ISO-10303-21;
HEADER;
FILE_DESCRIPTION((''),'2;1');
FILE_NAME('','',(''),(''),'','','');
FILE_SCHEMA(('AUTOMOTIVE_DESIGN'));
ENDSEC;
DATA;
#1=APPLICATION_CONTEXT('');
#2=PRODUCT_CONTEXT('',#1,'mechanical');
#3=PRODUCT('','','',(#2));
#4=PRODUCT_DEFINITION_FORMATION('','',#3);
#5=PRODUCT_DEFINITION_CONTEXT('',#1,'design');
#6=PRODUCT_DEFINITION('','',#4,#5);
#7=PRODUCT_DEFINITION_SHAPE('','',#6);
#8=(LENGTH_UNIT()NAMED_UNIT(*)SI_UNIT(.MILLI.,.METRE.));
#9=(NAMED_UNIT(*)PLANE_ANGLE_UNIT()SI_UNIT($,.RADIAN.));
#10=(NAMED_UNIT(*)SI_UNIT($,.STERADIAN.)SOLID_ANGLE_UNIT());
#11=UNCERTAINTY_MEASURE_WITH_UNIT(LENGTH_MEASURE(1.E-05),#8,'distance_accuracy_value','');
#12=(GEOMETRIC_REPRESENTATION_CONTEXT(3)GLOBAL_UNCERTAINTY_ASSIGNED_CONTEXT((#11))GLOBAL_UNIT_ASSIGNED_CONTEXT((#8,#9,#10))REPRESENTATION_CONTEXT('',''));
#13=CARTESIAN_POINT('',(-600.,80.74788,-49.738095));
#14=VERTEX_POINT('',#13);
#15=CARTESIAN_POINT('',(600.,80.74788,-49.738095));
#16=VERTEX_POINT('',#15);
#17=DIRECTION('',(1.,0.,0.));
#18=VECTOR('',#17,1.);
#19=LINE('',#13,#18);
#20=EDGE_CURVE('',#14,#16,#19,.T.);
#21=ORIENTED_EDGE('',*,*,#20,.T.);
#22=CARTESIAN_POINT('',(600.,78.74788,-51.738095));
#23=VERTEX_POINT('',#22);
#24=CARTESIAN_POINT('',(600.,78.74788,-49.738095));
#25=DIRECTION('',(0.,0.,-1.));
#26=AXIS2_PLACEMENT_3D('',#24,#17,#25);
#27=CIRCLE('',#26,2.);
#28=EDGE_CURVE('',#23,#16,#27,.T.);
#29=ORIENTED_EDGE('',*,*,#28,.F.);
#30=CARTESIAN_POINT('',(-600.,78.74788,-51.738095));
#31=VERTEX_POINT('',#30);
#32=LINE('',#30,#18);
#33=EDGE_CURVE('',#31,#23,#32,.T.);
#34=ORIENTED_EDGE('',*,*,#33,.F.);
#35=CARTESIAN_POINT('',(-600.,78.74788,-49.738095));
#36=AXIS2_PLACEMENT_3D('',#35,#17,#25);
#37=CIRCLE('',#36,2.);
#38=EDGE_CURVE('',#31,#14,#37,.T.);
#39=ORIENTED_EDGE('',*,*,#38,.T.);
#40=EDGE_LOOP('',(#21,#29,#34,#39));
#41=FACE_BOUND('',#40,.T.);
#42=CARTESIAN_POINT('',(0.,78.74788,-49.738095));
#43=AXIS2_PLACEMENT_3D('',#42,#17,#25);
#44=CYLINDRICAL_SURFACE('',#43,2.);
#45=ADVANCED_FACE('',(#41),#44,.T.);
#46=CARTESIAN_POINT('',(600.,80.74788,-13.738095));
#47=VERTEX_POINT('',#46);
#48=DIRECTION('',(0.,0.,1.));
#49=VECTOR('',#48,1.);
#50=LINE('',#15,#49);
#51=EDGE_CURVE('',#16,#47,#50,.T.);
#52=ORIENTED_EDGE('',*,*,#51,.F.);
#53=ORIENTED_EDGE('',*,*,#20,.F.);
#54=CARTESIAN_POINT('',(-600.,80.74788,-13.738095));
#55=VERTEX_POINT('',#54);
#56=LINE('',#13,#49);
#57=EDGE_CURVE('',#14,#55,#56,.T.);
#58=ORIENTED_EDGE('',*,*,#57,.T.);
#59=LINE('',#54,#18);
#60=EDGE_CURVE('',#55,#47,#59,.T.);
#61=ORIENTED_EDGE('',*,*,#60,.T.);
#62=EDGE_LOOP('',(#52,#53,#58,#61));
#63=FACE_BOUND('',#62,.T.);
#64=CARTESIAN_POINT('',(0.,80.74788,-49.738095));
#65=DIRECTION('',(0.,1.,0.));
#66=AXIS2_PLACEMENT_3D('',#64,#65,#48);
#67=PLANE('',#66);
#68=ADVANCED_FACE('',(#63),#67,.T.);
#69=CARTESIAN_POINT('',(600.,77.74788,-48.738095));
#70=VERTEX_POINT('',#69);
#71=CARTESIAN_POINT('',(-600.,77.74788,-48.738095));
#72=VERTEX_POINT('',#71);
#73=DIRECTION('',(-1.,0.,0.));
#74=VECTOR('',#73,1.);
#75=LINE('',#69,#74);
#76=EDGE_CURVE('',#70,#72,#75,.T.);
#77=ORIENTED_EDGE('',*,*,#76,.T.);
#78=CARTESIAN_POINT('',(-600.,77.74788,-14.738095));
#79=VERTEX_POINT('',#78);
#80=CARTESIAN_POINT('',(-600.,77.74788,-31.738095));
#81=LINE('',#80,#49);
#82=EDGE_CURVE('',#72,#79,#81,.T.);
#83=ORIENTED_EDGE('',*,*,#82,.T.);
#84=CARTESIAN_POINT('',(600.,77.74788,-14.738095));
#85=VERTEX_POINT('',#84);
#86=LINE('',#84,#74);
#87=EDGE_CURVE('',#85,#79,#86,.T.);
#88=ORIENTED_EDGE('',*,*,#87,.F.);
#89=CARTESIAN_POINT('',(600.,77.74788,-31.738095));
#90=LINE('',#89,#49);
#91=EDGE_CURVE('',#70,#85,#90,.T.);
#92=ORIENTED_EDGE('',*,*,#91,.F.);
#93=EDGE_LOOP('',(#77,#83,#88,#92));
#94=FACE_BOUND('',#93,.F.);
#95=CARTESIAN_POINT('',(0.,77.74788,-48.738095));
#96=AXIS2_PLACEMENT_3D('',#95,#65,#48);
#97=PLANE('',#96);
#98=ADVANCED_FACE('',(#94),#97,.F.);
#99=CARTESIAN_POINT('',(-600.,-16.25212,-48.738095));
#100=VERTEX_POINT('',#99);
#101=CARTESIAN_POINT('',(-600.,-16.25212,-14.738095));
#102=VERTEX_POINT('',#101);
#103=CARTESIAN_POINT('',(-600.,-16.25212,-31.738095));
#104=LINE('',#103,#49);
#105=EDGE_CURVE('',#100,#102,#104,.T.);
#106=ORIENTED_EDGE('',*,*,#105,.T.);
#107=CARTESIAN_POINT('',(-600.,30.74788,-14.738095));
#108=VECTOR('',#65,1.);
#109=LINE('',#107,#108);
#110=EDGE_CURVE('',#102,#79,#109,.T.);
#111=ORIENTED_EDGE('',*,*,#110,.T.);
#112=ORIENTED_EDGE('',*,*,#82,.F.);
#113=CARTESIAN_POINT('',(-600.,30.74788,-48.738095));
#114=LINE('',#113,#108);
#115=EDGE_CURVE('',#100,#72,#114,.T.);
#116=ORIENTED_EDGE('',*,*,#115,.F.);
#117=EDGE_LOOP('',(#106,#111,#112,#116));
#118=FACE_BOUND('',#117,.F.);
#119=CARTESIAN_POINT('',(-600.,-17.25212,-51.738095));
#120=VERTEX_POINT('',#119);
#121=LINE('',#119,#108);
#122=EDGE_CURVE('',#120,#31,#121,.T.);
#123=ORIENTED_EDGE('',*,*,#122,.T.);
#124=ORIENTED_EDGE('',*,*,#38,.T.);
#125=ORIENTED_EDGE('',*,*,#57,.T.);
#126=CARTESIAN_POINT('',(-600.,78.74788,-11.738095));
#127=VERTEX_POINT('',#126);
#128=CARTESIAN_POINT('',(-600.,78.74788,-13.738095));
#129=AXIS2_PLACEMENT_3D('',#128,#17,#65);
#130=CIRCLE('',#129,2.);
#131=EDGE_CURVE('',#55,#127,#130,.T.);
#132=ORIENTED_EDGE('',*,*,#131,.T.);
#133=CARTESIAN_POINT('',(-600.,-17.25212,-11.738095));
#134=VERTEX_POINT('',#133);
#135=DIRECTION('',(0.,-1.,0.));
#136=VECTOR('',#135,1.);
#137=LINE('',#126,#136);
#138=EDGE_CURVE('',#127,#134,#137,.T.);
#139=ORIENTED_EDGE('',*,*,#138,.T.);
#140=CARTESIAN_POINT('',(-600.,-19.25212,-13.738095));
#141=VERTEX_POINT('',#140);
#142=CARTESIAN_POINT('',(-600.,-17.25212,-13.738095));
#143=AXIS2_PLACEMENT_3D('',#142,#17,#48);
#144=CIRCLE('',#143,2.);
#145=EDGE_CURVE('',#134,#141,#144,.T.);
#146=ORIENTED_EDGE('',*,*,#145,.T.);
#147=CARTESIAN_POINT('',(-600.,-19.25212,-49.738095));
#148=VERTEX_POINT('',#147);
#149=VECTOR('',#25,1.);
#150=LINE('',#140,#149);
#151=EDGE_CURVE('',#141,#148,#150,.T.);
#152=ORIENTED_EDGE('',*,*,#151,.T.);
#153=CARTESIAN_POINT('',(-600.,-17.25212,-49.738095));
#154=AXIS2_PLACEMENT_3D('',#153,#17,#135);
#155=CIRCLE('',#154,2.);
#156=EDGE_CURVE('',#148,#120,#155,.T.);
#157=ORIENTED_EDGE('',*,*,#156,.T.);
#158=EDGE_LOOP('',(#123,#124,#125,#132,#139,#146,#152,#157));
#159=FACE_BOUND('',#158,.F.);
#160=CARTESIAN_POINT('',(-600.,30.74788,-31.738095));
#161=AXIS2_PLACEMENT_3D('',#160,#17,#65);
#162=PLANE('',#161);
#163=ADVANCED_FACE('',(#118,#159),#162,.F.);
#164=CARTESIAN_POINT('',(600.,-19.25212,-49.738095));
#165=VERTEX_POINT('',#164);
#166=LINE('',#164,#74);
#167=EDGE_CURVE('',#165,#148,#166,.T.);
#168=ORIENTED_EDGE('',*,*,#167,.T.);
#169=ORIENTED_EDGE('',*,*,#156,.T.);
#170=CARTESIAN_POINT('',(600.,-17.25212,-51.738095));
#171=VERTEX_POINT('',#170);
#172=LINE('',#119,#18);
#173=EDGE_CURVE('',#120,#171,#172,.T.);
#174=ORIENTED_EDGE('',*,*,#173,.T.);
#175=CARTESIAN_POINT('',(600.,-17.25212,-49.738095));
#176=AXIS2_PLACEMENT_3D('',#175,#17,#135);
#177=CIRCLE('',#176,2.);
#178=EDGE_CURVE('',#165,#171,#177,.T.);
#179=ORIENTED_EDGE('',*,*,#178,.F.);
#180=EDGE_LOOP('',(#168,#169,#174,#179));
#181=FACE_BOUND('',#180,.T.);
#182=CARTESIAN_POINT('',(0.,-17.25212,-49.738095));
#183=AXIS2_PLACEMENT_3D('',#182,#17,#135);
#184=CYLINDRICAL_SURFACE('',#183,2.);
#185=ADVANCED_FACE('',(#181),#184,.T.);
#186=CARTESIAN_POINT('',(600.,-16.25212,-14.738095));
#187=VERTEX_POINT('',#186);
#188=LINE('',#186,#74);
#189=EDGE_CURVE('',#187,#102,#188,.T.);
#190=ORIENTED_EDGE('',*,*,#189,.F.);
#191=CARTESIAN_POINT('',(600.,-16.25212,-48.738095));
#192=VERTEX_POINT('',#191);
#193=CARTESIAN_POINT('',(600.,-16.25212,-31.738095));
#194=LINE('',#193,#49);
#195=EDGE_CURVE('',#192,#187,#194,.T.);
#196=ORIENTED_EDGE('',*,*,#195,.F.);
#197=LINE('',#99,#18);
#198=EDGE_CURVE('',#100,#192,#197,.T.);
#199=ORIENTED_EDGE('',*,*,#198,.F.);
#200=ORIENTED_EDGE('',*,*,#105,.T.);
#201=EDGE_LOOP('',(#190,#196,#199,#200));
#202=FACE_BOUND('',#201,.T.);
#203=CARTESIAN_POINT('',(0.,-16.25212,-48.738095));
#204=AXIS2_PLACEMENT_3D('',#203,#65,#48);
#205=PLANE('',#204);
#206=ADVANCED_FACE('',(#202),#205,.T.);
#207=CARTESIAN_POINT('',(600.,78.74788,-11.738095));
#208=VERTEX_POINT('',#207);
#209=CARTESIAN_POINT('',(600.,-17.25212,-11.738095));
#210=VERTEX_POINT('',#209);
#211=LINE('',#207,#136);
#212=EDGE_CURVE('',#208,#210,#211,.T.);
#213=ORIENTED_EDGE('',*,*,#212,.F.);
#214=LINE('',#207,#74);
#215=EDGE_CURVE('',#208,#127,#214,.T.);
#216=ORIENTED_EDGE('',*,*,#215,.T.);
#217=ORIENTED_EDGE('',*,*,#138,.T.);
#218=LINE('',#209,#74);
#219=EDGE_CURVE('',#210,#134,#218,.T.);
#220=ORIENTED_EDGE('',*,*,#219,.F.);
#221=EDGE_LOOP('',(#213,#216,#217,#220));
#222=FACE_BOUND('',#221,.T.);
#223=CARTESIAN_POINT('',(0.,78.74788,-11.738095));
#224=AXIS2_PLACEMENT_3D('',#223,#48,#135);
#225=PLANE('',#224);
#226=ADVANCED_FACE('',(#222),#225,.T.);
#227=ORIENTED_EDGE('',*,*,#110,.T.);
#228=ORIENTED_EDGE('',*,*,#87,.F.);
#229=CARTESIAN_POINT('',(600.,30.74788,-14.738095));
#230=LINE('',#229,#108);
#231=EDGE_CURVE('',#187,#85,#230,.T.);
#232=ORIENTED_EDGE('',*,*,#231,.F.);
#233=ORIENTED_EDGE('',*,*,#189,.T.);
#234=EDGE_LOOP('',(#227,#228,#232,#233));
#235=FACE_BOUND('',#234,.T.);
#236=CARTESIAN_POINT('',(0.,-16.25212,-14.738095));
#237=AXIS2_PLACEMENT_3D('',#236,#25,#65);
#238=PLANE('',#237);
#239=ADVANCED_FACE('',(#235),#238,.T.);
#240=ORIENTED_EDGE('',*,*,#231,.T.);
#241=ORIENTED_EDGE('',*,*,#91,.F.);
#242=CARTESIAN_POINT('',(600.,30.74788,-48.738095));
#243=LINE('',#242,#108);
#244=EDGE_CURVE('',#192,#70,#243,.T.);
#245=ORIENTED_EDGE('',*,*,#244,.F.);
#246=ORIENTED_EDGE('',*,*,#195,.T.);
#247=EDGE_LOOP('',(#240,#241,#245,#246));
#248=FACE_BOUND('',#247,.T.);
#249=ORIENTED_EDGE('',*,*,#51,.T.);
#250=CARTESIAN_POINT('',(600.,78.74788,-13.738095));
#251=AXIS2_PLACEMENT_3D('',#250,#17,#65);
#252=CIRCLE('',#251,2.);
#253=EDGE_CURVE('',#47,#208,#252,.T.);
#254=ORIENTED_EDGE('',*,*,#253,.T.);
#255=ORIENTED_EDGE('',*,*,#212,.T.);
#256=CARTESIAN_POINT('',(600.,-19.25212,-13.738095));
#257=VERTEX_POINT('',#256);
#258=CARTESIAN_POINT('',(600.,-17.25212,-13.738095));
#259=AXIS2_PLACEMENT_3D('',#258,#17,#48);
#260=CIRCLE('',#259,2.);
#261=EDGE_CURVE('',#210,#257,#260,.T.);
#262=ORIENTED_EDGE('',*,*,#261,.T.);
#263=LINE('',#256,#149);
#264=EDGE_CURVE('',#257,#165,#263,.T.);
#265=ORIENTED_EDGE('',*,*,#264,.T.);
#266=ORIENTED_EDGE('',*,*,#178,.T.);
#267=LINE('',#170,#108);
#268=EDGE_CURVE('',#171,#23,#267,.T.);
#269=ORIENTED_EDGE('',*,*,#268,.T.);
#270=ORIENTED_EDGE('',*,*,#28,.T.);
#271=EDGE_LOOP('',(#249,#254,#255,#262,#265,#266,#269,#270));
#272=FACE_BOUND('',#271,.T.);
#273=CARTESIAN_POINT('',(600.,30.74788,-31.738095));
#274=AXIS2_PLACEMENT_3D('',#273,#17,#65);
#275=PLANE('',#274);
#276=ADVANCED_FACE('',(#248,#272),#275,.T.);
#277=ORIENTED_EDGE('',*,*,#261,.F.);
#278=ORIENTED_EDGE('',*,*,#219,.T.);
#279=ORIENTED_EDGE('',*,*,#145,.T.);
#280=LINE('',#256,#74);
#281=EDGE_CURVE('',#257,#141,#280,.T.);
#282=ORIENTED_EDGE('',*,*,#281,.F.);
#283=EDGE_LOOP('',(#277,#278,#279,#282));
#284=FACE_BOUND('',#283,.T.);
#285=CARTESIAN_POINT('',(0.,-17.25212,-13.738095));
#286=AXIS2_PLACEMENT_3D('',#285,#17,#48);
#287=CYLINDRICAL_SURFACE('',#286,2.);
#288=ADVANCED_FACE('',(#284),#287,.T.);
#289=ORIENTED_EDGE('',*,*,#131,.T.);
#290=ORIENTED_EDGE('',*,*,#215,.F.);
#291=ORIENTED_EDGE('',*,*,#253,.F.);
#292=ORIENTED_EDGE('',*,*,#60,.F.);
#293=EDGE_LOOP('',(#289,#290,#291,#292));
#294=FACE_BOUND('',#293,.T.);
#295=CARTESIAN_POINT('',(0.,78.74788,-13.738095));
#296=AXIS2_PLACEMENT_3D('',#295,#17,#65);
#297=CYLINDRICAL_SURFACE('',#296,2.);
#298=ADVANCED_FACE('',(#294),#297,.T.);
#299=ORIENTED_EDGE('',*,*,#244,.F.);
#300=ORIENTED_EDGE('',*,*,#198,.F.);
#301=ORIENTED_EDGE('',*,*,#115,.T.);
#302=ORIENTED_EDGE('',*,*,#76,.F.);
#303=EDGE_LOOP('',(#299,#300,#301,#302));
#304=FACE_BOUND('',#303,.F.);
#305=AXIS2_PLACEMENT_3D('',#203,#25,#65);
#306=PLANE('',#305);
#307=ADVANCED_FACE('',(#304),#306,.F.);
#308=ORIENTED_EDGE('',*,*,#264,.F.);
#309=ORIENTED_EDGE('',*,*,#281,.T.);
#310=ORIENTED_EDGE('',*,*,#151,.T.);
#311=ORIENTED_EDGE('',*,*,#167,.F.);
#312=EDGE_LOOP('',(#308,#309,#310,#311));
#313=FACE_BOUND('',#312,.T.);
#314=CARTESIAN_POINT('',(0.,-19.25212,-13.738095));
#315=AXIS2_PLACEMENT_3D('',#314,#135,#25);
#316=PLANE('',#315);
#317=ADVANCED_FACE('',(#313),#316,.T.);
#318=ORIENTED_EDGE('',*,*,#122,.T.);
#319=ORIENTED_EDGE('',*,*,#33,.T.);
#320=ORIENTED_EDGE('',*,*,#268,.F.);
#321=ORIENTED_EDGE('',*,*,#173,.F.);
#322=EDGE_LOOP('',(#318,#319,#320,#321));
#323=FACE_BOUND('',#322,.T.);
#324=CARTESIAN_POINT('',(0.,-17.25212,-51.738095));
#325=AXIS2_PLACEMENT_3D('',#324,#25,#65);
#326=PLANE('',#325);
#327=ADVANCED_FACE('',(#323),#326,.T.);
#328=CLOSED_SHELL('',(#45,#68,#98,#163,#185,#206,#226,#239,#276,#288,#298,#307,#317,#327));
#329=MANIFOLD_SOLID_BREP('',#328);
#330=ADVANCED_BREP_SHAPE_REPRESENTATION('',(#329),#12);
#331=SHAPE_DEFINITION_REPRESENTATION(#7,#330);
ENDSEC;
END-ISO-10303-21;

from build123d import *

# Parameters (mm, degrees)
F1_W     = 94
F1_H     = 34
F2_DEPTH = 600


with BuildPart() as f2:
    # F1 (on Right) → F2 (new body, symmetric)
    with BuildSketch(Plane.YZ):
        with BuildLine():
            ThreePointArc((-19.2521204937, -49.7380952381), (-18.6663340561, -51.1523088005), (-17.2521204937, -51.7380952381))
            Line((-17.2521204937, -51.7380952381), (78.7478795063, -51.7380952381))
            ThreePointArc((78.7478795063, -51.7380952381), (80.1620930687, -51.1523088005), (80.7478795063, -49.7380952381))
            Line((80.7478795063, -49.7380952381), (80.7478795063, -13.7380952381))
            ThreePointArc((80.7478795063, -13.7380952381), (80.1620930687, -12.3238816757), (78.7478795063, -11.7380952381))
            Line((78.7478795063, -11.7380952381), (-17.2521204937, -11.7380952381))
            ThreePointArc((-17.2521204937, -11.7380952381), (-18.6663340561, -12.3238816757), (-19.2521204937, -13.7380952381))
            Line((-19.2521204937, -13.7380952381), (-19.2521204937, -49.7380952381))
        make_face()
        with Locations((30.7478795063, -31.7380952381)):
            Rectangle(F1_W, F1_H, mode=Mode.SUBTRACT)
    extrude(amount=F2_DEPTH, both=True)


with BuildPart() as f3_1:
    # F3: copy of F2
    add(f2.part)


solid = f2.part
